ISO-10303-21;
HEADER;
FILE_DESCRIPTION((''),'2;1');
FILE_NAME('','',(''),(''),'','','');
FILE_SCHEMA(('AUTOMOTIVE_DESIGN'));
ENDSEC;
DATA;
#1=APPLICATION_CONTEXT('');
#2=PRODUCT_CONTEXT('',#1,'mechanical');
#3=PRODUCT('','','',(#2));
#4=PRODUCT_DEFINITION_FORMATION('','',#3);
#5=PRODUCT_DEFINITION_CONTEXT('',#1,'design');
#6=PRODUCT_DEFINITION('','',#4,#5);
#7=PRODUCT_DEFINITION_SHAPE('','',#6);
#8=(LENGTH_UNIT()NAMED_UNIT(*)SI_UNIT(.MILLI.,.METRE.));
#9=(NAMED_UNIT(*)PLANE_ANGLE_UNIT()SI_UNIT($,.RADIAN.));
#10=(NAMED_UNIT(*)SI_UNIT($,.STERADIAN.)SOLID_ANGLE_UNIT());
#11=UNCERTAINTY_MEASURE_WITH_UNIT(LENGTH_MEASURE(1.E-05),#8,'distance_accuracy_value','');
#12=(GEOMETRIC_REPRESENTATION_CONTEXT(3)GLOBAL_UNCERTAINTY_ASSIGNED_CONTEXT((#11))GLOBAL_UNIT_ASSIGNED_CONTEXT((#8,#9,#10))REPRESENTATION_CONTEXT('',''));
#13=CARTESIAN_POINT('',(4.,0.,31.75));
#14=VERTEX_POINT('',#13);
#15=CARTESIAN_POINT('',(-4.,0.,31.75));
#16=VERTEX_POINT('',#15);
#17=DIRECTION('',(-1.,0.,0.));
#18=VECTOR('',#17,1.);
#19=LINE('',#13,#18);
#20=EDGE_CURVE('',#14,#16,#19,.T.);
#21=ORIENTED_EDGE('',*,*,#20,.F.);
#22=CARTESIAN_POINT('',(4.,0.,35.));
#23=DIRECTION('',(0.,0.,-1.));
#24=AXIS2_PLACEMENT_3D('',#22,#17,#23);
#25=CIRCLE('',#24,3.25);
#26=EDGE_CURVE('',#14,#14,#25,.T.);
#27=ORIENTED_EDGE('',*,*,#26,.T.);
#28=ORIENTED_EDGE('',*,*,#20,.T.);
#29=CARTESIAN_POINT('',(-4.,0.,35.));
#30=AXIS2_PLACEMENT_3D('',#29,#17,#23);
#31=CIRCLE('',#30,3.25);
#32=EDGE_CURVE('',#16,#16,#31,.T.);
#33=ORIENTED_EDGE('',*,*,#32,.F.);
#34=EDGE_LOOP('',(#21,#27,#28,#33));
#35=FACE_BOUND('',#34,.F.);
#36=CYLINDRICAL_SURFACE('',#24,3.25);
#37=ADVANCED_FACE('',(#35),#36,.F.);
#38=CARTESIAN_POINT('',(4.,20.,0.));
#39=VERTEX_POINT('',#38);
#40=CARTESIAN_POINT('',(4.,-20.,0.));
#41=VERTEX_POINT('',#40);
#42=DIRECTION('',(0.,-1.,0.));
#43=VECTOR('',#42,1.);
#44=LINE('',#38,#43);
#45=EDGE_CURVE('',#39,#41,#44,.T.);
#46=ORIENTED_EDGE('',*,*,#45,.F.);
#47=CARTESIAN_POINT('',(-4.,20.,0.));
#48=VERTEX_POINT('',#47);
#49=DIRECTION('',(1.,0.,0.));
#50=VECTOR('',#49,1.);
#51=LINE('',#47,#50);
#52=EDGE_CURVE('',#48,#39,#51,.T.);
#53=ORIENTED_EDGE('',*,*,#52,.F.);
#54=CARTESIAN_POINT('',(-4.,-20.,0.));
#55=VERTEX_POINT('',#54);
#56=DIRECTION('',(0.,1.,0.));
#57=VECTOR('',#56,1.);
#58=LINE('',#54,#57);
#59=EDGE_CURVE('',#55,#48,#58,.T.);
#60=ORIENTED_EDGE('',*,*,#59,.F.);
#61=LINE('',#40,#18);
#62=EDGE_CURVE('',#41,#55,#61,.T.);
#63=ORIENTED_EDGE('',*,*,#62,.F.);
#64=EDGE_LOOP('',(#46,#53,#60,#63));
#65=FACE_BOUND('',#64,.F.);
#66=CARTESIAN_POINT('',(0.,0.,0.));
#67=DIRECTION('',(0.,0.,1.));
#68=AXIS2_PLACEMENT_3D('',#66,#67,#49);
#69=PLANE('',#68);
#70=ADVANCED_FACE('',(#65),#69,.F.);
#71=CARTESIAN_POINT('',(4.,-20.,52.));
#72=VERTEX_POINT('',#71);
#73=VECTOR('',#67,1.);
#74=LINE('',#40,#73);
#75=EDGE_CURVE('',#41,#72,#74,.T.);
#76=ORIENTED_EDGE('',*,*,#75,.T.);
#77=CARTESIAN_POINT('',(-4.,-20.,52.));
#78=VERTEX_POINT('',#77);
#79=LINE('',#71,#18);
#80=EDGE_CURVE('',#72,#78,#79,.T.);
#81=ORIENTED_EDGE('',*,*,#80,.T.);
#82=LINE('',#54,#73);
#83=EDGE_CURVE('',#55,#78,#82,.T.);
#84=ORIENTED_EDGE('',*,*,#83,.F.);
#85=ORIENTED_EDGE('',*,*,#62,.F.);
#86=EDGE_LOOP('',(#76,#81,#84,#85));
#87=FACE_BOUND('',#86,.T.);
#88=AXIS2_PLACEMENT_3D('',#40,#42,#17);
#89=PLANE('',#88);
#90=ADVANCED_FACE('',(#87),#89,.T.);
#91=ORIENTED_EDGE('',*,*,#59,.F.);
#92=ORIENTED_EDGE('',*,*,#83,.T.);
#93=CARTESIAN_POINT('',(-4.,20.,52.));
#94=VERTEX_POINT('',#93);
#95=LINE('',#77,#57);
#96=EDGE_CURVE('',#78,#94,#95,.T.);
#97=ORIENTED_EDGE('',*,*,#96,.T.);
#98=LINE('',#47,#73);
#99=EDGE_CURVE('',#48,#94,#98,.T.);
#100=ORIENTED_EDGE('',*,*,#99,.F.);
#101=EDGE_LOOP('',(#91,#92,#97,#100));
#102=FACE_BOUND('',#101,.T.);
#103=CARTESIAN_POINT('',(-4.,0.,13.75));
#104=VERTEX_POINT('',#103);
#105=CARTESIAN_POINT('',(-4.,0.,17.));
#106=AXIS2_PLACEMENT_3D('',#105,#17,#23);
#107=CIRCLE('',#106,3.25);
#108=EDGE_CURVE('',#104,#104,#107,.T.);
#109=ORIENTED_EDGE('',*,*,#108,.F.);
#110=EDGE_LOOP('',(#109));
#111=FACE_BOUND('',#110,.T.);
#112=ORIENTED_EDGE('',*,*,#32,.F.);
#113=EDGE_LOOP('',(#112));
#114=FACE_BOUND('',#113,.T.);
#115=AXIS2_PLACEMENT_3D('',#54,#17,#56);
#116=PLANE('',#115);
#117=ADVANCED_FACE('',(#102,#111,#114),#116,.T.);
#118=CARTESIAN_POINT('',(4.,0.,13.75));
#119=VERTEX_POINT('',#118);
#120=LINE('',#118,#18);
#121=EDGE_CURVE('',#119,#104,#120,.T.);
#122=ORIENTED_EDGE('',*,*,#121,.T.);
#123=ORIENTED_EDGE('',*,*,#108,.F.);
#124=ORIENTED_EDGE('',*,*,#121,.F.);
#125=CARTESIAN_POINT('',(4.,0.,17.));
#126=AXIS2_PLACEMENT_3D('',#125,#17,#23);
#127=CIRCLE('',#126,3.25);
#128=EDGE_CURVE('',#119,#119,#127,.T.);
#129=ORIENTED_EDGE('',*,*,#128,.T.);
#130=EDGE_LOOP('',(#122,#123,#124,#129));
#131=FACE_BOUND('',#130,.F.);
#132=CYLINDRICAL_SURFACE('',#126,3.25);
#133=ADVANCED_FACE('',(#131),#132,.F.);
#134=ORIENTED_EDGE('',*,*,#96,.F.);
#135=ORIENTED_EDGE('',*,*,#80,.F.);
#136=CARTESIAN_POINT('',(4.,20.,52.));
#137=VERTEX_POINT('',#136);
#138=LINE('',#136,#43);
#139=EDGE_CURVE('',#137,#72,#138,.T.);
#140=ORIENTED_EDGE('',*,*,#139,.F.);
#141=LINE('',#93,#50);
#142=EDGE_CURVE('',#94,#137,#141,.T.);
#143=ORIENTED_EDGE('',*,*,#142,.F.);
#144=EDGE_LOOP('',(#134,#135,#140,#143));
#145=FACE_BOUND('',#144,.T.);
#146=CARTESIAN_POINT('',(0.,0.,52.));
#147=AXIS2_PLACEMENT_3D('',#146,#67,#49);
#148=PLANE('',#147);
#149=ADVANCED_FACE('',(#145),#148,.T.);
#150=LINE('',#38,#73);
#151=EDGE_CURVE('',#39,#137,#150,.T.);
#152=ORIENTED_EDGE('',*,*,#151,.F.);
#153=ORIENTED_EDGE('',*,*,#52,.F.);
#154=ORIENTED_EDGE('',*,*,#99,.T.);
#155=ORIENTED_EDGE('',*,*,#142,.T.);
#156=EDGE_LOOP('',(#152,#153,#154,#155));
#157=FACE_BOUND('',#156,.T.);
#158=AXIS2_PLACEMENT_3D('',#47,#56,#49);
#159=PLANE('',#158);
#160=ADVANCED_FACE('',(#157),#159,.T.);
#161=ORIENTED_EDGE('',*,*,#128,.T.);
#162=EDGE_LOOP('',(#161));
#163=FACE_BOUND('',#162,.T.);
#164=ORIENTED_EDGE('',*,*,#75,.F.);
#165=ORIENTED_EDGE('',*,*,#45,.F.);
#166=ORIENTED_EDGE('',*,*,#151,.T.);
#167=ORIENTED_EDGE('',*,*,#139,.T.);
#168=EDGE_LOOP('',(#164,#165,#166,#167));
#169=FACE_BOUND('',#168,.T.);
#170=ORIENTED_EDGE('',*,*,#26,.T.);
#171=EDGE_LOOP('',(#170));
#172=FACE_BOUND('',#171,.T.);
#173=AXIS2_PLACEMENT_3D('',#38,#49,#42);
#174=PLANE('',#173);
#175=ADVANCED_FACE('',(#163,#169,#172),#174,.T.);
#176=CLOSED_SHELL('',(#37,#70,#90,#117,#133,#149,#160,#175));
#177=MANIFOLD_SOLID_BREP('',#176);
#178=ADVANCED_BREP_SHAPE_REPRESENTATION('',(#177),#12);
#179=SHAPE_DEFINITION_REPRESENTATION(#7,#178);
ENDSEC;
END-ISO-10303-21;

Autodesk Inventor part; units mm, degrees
ref_plane "YZ Plane" through (0, 0, 0) normal (1, 0, 0) x (0, 1, 0)
ref_plane "Startebene" through (0, 0, 0) normal (0, 0, 1) x (1, 0, 0)
ref_plane "Endebene" through (0, 0, 52) normal (0, 0, 1) x (1, 0, 0)
sketch "Skizze" plane through (0, 0, 0) normal (0, 0, 1) x (1, 0, 0)
  line L0 (4, -20) -> (-4, -20)
  line L1 (-4, -20) -> (-4, 20)
  line L2 (-4, 20) -> (4, 20)
  line L3 (4, 20) -> (4, -20)
  line L4 (-6, 0) -> (8, 0) construction
  line L5 (0, -30) -> (0, 40) construction
  line L6 (0, 54) -> (0, -44) construction
  line L7 (-9.2, 0) -> (13.2, 0) construction
  dimension "d0" = 40
  dimension "d1" = 8
  dimension "d4" = 4
  dimension "d5" = 20
extrude "Körper" add sketch "Skizze" along normal up to surface (52 mm away) from surface at 0
sketch "Sketch3" plane through (0, 0, 0) normal (0, 0, 1) x (1, 0, 0)
  line L0 (0, 0) -> (10, 0)
ref_plane "Work Plane3" through (0, 0, 0) normal (0, -1, 0) x (1, 0, 0)
sketch "Sketch4" plane through (0, 0, 0) normal (0, -1, 0) x (1, 0, 0)
  line L0 (-2, 0) -> (12, 0)
  line L1 (-2, 52) -> (12, 52)
  dimension "d9" = 52
sketch "Skizze5" plane through (4, -20, 52) normal (1, 0, 0) x (0, 0, -1)
  line L0 (0, 40) -> (0, 0) projected
  line L1 (52, 0) -> (0, 0) projected
  line L2 (52, 40) -> (52, 0) projected
  point P0 (52, 20)
  point P1 (17, 20)
  point P2 (35, 20)
  dimension "d10" = 20
  dimension "d11" = 20
  dimension "d12" = 17
  dimension "d13" = 17
hole "Bohrung1" at (4, 0, 35) at (4, 0, 17) direction (-1, 0, 0) diameter 6.5 depth 35 tip angle 118
equation "\"d0\" = G_W"
equation "\"d1\" = G_H"
equation "\"d4\" = 0.5 * d1"
equation "\"d5\" = 0.5 * d0"
equation "\"d2\" = G_L"
equation "\"G_W\" = 40"
equation "\"G_H\" = 8"
equation "\"G_L\" = d9"
equation "\"G_OFFSET_START\" = 0"
equation "\"G_OFFSET_END\" = 0"
equation "\"d7\" = G_OFFSET_END + B_L"
equation "\"B_L\" = 52"
properties part number "EN 10058 - 40 x 6 - 46" material "Stahl, weich"
